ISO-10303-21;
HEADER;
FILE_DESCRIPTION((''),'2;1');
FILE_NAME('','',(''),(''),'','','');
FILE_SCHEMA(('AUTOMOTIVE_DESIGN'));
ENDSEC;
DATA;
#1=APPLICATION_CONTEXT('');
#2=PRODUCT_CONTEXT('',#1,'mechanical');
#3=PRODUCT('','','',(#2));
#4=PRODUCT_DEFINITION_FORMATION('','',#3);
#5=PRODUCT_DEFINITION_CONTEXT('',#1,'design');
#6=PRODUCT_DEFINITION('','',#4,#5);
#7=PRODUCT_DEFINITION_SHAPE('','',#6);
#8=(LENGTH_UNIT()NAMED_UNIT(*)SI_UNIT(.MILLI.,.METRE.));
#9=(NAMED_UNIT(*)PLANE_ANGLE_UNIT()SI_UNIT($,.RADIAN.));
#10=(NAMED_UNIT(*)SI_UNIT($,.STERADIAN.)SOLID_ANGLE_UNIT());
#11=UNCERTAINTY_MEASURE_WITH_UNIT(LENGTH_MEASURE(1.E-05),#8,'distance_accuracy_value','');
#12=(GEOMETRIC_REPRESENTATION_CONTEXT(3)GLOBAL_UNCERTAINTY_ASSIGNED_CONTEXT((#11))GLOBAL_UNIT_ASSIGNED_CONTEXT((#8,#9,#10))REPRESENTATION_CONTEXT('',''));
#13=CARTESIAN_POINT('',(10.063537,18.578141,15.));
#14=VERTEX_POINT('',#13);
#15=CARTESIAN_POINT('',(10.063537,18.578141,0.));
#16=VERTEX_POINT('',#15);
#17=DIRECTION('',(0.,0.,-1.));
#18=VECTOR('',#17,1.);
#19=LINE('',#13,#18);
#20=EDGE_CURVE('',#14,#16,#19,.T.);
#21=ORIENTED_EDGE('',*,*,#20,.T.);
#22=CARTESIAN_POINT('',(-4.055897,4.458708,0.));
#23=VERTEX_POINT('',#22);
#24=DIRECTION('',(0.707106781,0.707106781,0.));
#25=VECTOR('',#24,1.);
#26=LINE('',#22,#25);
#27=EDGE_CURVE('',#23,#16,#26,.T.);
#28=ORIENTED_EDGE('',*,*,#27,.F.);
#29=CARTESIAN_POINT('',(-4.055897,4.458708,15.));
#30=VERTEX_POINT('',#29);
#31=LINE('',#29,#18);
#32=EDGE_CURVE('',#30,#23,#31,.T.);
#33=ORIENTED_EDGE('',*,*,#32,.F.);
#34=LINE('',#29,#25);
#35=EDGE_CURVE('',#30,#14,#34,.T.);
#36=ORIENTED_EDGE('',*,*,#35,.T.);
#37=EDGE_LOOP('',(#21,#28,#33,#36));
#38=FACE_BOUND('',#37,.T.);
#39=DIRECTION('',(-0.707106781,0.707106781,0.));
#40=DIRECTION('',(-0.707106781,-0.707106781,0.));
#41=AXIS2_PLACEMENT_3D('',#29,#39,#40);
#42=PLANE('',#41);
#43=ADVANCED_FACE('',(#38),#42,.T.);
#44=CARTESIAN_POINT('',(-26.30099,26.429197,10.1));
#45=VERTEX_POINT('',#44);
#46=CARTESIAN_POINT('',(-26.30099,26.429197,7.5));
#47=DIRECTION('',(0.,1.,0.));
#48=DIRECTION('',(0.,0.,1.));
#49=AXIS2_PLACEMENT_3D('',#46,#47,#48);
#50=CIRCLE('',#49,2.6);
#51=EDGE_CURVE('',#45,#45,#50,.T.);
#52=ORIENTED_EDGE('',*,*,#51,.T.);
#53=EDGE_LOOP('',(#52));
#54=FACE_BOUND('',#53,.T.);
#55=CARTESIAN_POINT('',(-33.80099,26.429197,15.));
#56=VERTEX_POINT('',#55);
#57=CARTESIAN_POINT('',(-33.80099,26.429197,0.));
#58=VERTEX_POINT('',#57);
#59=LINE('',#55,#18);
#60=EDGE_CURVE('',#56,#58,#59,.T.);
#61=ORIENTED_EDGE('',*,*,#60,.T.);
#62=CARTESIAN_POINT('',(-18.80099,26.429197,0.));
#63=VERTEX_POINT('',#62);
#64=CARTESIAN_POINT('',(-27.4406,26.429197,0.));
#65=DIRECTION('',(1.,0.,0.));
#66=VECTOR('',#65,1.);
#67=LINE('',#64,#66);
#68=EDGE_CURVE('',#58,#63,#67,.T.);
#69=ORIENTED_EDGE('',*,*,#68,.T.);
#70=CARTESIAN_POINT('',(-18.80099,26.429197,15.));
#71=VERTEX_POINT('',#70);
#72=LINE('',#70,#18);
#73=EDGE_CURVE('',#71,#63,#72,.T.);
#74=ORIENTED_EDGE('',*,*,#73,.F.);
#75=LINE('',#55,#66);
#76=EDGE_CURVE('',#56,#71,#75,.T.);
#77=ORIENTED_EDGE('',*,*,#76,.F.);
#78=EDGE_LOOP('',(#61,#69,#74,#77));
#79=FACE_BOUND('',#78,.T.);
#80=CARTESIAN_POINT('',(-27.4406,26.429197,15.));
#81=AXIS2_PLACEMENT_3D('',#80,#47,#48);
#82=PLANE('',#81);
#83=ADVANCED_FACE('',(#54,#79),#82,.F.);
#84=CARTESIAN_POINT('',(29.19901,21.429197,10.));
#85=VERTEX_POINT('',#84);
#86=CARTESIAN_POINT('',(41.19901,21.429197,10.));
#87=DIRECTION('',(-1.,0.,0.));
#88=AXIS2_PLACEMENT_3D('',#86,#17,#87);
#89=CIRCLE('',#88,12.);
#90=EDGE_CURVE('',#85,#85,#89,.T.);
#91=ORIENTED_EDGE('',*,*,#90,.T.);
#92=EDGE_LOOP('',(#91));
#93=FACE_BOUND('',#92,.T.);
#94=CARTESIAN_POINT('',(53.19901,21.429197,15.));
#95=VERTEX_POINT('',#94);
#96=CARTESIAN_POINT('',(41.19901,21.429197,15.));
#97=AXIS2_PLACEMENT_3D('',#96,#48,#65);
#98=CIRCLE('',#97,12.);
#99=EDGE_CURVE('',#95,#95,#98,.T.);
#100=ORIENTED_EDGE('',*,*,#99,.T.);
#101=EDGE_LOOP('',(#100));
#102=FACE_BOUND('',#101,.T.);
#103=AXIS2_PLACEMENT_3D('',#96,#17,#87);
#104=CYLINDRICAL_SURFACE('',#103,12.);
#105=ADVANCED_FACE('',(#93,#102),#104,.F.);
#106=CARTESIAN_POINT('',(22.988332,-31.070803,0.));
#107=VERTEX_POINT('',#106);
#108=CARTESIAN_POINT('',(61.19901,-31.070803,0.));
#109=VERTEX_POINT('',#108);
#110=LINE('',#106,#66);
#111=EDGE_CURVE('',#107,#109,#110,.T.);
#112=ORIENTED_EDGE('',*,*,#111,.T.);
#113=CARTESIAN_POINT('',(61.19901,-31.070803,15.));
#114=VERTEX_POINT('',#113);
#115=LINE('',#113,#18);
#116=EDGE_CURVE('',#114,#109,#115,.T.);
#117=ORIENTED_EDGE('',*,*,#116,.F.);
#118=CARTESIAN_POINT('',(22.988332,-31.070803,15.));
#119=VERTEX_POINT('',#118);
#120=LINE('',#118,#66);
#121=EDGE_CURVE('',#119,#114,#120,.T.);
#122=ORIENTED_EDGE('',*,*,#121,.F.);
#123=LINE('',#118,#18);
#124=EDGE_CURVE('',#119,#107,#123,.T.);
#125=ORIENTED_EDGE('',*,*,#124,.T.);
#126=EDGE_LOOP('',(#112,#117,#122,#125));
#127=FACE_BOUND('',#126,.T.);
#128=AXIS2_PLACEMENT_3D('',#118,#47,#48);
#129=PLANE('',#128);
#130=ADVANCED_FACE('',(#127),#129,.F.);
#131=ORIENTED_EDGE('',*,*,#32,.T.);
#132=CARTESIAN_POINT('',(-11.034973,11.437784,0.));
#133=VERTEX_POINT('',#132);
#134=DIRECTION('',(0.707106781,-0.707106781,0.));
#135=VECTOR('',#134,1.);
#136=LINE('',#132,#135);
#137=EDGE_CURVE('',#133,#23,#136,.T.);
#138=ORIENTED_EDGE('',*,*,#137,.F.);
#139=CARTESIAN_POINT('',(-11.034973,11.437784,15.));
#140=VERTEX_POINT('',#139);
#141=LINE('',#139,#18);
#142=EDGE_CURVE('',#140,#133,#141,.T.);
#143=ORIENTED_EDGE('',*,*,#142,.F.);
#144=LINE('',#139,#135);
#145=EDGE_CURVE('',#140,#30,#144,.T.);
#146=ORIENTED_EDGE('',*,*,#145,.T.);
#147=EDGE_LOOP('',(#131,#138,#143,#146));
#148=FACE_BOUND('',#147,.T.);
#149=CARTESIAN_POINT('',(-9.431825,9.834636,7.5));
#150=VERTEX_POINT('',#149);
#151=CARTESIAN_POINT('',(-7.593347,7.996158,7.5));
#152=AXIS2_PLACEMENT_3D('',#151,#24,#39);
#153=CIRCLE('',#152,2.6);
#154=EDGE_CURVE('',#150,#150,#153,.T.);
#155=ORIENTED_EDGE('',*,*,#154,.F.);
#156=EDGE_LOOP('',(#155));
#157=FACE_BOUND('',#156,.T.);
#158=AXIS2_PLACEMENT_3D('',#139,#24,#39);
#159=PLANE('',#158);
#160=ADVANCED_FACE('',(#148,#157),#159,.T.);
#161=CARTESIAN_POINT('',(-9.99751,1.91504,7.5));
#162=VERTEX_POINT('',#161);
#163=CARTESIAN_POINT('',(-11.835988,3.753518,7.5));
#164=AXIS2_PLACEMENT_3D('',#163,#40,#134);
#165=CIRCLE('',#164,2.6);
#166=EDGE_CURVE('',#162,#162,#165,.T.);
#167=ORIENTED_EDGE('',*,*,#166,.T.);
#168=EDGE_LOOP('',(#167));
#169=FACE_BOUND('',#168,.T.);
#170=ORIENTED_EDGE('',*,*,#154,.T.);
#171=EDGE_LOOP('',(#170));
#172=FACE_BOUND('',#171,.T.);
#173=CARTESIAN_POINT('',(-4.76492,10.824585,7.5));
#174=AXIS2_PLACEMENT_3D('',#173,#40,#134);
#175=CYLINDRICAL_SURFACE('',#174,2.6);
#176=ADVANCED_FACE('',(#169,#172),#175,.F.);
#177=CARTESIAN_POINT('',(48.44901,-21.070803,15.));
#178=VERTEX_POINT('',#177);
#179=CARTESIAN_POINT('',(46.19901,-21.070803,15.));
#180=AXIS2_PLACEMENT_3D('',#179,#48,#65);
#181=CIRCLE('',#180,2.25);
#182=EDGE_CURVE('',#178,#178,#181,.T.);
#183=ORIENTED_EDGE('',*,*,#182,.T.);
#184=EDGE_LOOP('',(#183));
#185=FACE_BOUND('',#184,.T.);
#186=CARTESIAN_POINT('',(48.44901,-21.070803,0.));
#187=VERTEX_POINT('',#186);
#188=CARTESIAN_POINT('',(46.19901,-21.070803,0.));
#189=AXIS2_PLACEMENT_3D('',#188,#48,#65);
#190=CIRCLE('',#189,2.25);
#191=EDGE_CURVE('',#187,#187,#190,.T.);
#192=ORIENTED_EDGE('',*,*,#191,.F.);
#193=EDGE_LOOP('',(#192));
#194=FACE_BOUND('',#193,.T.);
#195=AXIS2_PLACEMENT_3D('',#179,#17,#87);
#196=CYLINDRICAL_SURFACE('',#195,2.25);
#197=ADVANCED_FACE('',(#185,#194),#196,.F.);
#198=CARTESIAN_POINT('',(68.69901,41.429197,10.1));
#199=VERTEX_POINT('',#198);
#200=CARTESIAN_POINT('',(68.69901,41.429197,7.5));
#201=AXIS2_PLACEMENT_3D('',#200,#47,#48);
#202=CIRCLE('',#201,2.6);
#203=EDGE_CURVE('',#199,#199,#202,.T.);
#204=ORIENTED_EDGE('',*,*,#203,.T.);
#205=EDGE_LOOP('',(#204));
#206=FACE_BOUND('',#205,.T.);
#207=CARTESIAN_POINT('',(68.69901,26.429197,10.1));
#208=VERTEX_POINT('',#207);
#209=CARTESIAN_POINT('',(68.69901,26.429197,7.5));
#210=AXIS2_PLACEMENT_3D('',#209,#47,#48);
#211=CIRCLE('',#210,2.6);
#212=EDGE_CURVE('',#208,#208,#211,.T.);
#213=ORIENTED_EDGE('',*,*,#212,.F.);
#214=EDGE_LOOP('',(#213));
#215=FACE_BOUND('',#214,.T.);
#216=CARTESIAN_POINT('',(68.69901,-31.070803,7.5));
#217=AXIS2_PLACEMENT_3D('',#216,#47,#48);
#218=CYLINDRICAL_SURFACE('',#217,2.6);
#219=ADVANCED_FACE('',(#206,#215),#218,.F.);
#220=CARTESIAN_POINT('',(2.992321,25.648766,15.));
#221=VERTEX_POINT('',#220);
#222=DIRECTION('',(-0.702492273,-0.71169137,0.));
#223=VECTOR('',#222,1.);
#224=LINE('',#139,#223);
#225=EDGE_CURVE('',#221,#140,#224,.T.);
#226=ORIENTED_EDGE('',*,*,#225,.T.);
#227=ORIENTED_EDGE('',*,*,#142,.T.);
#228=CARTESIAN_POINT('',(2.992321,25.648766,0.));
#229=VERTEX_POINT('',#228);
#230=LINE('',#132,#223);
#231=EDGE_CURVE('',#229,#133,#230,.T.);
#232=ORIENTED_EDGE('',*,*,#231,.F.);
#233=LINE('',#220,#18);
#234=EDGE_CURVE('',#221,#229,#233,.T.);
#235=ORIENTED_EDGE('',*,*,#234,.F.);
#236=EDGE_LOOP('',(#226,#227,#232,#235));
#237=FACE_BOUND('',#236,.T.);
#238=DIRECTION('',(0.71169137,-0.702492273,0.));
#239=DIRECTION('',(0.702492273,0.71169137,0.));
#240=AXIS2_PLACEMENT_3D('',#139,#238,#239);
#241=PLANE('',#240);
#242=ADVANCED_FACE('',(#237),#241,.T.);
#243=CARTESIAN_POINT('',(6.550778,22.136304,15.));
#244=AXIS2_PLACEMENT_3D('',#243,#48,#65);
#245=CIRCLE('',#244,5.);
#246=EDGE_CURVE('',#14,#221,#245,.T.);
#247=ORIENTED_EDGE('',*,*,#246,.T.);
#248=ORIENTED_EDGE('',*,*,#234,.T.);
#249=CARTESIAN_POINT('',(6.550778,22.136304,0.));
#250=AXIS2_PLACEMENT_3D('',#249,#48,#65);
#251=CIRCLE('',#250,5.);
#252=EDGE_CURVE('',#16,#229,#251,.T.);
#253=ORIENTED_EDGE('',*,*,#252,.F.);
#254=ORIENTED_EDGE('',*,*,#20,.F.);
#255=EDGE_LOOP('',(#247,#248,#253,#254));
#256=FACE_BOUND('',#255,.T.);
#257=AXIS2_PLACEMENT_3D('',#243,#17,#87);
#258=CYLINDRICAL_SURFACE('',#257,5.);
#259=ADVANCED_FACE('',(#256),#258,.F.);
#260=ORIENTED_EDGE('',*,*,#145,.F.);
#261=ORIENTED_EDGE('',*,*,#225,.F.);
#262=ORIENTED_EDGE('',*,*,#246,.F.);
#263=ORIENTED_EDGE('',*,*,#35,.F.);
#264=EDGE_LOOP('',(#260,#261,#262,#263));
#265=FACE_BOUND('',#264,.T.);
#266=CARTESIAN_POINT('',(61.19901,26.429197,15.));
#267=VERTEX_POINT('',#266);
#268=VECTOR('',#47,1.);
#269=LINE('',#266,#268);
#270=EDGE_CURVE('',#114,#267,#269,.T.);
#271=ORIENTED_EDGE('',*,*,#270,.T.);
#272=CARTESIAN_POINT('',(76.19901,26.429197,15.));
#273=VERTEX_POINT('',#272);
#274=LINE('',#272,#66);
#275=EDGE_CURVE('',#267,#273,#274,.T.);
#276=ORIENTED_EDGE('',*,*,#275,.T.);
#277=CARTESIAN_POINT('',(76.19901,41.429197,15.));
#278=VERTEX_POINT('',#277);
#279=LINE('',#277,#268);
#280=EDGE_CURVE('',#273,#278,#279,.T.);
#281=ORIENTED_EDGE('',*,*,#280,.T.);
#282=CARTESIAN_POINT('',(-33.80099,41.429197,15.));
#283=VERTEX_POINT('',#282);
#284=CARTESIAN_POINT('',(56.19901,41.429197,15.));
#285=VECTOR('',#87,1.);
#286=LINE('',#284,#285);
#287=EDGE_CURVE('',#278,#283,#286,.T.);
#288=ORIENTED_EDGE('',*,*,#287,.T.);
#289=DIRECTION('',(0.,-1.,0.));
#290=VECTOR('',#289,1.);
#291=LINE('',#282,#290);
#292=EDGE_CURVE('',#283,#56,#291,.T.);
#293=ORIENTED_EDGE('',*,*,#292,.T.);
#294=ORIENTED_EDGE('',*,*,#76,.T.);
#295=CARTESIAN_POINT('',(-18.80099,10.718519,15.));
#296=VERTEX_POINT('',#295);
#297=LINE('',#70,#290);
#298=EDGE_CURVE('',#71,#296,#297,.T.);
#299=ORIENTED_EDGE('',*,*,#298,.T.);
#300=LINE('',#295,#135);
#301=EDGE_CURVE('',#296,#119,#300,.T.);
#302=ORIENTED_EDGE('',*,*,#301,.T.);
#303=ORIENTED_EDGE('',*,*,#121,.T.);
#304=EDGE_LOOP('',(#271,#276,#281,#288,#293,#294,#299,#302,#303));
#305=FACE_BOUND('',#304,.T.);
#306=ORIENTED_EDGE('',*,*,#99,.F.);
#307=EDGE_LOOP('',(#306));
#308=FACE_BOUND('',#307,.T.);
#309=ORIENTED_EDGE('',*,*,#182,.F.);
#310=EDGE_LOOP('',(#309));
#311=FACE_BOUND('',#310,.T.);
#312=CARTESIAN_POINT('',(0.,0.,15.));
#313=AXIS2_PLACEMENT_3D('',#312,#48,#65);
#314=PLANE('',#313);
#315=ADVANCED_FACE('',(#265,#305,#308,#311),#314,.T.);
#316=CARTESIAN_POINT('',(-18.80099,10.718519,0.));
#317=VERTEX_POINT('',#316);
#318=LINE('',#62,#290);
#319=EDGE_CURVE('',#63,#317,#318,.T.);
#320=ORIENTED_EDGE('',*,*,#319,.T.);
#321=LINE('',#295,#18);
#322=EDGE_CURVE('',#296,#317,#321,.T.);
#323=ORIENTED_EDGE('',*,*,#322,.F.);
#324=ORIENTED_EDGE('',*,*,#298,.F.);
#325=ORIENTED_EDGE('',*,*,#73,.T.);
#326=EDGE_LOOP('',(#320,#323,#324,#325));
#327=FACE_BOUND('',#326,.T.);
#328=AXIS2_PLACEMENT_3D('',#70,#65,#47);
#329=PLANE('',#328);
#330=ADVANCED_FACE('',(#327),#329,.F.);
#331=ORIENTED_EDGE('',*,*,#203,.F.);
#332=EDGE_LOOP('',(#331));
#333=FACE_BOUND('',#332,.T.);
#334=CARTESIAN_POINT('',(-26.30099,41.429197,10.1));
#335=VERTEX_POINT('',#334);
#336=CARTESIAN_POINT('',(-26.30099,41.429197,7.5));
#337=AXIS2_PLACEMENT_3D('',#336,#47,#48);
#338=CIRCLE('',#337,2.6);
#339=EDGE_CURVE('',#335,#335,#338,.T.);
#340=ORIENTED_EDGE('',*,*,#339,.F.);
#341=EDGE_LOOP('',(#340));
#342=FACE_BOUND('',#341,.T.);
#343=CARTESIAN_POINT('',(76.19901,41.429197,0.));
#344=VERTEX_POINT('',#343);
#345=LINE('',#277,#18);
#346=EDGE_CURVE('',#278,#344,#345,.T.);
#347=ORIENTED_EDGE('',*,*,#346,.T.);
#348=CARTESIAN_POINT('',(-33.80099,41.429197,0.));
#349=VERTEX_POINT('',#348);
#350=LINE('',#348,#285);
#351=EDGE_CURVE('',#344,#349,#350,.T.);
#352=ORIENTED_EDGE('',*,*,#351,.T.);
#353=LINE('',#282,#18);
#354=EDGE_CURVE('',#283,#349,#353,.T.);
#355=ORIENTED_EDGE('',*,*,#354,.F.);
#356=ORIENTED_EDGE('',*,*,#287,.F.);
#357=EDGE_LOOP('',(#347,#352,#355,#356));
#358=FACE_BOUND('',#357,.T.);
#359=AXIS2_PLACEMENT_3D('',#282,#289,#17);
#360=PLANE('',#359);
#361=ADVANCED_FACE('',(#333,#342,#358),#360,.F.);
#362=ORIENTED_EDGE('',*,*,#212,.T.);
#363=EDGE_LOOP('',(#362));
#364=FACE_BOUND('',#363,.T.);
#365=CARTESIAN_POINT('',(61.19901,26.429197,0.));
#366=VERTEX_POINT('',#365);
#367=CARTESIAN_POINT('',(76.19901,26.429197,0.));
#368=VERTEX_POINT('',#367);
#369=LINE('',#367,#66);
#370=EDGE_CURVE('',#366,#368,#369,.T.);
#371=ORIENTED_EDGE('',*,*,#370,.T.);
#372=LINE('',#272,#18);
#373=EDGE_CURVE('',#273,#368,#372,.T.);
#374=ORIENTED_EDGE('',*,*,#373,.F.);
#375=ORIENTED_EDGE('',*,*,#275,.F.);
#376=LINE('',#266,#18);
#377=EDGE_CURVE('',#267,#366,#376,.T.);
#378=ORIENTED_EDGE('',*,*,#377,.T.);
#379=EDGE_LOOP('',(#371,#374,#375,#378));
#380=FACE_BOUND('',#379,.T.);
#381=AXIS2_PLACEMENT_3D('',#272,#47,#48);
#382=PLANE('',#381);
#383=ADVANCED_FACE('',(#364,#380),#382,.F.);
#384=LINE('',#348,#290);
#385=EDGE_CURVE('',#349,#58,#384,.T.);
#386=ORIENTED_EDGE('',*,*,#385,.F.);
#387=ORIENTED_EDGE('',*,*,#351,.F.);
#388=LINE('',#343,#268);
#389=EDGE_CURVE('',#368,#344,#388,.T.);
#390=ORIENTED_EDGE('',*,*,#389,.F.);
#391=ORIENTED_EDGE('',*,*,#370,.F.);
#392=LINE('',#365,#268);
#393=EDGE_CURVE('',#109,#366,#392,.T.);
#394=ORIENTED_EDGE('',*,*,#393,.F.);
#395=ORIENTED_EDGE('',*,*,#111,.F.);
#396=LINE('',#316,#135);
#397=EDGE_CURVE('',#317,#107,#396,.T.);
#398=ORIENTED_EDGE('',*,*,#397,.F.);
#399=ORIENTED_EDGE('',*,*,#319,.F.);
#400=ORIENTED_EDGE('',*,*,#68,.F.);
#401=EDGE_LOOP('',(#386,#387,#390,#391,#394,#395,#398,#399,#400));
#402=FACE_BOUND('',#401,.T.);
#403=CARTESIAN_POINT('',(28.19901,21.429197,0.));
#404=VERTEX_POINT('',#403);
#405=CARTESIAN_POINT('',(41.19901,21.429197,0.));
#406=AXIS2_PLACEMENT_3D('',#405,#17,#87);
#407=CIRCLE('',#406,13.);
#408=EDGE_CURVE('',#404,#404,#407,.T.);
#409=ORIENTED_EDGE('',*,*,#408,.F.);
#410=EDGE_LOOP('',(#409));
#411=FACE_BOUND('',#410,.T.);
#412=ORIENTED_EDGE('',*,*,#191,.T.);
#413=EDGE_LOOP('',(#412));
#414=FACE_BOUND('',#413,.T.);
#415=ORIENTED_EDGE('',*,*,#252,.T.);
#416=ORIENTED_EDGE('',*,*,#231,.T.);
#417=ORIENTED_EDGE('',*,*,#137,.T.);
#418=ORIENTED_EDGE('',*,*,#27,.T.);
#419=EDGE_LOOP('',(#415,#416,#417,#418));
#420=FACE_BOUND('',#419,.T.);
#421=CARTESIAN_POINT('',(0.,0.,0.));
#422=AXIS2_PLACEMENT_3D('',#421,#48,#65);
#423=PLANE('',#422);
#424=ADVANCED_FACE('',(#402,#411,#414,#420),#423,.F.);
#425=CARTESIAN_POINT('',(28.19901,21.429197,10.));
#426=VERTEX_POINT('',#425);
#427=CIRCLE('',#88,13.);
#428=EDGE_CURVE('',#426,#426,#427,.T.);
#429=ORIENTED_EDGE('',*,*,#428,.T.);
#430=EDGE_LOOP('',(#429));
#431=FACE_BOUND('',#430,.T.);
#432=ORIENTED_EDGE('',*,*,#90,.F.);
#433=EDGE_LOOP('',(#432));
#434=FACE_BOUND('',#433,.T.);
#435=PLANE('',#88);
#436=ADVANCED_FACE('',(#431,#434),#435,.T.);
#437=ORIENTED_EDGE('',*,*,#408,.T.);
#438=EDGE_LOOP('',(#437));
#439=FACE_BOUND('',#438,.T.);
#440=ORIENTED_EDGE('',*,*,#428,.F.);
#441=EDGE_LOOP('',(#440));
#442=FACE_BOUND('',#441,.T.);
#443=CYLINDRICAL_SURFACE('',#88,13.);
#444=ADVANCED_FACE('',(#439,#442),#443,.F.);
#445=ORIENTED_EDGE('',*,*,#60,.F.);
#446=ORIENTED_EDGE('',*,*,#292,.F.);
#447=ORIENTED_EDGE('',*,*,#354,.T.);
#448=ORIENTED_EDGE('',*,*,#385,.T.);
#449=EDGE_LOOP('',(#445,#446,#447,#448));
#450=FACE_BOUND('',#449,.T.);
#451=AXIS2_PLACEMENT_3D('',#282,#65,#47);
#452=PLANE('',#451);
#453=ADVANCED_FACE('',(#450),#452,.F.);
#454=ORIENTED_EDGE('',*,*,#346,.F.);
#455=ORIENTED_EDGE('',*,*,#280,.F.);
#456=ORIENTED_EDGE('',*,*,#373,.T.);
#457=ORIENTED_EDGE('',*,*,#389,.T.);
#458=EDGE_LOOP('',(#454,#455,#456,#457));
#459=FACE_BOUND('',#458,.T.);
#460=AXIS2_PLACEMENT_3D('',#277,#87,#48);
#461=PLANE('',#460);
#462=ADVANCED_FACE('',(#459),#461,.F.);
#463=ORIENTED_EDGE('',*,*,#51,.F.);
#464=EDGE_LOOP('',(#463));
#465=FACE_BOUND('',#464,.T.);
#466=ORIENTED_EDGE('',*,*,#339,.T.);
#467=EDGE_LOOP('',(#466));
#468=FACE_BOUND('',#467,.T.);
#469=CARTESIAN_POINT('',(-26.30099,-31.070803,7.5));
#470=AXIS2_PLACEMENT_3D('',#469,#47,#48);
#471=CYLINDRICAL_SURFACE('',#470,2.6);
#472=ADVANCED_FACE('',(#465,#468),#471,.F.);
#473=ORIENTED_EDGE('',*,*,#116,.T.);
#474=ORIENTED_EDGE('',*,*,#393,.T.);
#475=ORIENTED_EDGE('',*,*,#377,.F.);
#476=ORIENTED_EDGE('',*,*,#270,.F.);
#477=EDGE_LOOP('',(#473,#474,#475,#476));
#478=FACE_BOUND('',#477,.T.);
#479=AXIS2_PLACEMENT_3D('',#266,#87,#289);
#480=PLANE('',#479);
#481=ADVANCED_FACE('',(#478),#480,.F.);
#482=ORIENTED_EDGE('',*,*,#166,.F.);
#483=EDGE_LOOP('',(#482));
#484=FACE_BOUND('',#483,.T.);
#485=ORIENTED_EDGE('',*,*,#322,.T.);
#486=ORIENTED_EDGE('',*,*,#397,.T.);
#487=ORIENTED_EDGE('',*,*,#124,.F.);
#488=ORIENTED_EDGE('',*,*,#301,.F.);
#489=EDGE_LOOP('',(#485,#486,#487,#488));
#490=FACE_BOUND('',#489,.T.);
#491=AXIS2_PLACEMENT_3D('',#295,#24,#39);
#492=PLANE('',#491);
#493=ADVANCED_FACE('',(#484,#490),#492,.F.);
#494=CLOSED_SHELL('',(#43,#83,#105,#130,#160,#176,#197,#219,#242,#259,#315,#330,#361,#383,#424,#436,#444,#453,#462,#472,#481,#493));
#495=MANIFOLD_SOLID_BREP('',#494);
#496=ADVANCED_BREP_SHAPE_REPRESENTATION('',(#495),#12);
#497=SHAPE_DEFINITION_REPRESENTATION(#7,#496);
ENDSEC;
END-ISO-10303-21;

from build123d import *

# Parameters (mm, degrees)
SKETCH_1_R          = 12
SKETCH_1_R_2        = 2.25
EXTRUDE_1_DEPTH     = 15
SKETCH_2_R          = 13
CUT_EXTRUDE_1_DEPTH = 10
SKETCH_3_R          = 2.6
CUT_EXTRUDE_2_DEPTH = 73.5
SKETCH_5_R          = 2.6
CUT_EXTRUDE_3_DEPTH = 10


with BuildPart() as part:
    # 草图1 → 凸台-拉伸1 (new body)
    with BuildSketch(Plane.XY):
        Polygon((-33.800989673, 26.429197467), (-27.44059998, 26.429197467), (-18.800989673, 26.429197467), (-18.800989673, 10.718519348), (22.988332208, -31.070802533), (61.199010327, -31.070802533), (61.199010327, 26.429197467), (76.199010327, 26.429197467), (76.199010327, 41.429197467), (56.199010327, 41.429197467), (-33.800989673, 41.429197467), align=None)
        with Locations((41.199010327, 21.429197467)):
            Circle(SKETCH_1_R, mode=Mode.SUBTRACT)
        with Locations((46.199010327, -21.070802533)):
            Circle(SKETCH_1_R_2, mode=Mode.SUBTRACT)
        with BuildLine():
            Line((-11.034973369, 11.437784418), (2.9923212, 25.648765615))
            ThreePointArc((2.9923212, 25.648765615), (10.086164278, 25.671985824), (10.063536665, 18.57814083))
            Line((10.063536665, 18.57814083), (-4.055896558, 4.458707607))
            Line((-4.055896558, 4.458707607), (-11.034973369, 11.437784418))
        make_face(mode=Mode.SUBTRACT)
    extrude(amount=EXTRUDE_1_DEPTH)

    # 草图2 → 切除-拉伸1 (cut)
    with BuildSketch(Plane(origin=(0, 0, 0), x_dir=(-1, 0, 0), z_dir=(0, 0, -1))):
        with Locations((-41.199010327, 21.429197467)):
            Circle(SKETCH_2_R)
    extrude(amount=-CUT_EXTRUDE_1_DEPTH, mode=Mode.SUBTRACT)

    # 草图3 → 切除-拉伸2 (cut, through all)
    with BuildSketch(Plane(origin=(0, 41.429197467, 0), x_dir=(1, 0, 0), z_dir=(0, 1, 0))):
        with Locations((-26.300989673, -7.5)):
            Circle(SKETCH_3_R)
        with Locations((68.699010327, -7.5)):
            Circle(SKETCH_3_R)
    extrude(amount=-CUT_EXTRUDE_2_DEPTH, mode=Mode.SUBTRACT)

    # 草图5 → 切除-拉伸3 (cut)
    with BuildSketch(Plane(origin=(-4.041235162, -4.041235162, 0), x_dir=(0, 0, 1), z_dir=(-0.707106781, -0.707106781, 0))):
        with Locations((7.5, 11.023445006)):
            Circle(SKETCH_5_R)
    extrude(amount=-CUT_EXTRUDE_3_DEPTH, mode=Mode.SUBTRACT)


solid = part.part
